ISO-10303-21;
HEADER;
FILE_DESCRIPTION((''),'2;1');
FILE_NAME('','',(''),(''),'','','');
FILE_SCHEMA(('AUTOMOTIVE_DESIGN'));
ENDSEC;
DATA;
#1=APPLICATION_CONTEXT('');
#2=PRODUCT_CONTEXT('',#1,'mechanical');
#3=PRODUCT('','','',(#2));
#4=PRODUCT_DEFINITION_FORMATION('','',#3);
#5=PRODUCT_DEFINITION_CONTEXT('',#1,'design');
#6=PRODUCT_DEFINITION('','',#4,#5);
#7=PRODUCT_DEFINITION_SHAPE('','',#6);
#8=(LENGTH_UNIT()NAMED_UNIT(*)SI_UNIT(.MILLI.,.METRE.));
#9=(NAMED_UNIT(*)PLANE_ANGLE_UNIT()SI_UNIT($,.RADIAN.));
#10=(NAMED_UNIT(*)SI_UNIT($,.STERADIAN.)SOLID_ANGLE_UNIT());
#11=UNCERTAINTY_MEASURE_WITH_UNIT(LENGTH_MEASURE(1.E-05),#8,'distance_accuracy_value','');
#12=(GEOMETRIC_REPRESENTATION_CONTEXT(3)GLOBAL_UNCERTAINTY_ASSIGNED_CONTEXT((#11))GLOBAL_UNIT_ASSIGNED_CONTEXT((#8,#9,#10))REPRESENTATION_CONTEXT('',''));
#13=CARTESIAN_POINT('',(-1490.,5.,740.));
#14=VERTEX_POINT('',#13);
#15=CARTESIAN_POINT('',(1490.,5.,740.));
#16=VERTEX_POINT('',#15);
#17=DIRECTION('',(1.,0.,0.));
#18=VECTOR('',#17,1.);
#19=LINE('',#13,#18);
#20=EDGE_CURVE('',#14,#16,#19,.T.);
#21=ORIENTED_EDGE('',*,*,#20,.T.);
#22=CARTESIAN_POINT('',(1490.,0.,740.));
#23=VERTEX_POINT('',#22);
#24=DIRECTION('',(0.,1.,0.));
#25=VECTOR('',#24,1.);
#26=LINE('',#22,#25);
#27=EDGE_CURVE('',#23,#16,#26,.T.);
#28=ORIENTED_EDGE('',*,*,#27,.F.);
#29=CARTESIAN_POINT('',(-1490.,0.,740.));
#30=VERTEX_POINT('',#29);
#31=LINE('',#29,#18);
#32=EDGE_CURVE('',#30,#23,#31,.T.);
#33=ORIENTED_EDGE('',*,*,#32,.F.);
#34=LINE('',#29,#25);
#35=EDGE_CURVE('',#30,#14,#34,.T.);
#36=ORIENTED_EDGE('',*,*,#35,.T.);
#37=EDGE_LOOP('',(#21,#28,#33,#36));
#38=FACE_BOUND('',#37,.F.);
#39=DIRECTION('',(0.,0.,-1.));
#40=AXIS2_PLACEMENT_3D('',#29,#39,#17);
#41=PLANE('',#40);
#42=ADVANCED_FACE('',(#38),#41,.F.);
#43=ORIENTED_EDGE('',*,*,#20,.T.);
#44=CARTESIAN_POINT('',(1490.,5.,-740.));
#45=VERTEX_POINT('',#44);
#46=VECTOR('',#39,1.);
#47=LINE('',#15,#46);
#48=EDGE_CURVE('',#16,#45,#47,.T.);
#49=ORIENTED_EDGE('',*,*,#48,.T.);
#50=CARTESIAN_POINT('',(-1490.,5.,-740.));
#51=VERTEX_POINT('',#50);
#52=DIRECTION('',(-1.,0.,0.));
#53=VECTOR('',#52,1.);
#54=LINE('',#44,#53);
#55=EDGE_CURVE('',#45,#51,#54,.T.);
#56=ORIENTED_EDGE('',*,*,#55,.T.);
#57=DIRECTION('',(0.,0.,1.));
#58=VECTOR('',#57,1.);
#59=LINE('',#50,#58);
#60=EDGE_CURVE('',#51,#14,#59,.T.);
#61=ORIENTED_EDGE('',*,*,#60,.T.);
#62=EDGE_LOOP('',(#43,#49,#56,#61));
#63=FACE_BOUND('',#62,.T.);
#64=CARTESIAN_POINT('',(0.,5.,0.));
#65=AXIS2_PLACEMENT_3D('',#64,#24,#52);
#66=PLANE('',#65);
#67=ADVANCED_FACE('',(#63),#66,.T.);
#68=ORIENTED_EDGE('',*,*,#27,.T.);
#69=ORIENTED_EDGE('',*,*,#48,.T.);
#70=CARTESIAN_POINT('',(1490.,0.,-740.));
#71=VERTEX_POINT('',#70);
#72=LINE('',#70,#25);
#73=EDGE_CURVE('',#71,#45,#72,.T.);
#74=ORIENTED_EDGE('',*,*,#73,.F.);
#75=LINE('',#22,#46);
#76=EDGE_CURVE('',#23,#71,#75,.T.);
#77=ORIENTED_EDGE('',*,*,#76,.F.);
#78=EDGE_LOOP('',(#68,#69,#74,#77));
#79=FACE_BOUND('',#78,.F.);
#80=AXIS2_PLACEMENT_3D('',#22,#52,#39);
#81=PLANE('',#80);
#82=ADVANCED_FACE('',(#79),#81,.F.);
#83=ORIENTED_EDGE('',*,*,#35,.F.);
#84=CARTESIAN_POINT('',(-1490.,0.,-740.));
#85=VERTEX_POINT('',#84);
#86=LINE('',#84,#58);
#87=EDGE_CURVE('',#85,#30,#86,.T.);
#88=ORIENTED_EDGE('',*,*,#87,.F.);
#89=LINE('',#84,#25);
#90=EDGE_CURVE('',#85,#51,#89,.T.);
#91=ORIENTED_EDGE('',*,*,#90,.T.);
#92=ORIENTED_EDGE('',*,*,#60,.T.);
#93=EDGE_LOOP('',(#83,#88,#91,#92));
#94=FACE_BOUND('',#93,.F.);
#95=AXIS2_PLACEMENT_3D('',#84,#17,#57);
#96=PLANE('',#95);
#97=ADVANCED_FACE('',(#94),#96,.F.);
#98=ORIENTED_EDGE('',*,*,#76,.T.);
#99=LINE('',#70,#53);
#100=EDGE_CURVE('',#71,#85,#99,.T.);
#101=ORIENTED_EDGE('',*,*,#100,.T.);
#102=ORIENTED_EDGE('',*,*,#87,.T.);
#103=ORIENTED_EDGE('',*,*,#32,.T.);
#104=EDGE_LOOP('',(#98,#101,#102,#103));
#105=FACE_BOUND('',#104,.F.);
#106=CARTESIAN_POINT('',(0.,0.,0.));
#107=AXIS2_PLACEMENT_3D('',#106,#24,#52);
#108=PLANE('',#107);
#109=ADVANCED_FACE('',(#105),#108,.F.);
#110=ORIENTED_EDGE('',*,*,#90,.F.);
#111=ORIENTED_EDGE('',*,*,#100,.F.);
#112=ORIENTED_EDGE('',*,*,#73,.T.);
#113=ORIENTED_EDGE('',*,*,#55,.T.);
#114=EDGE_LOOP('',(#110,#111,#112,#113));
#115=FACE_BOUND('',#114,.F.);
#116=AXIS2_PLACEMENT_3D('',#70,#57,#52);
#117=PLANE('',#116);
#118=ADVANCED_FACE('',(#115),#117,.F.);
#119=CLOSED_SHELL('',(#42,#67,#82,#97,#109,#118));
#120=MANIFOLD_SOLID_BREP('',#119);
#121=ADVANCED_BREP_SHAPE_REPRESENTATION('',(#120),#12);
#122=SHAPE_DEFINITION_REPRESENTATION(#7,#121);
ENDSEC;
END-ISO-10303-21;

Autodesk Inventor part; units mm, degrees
ref_plane "YZ Plane" through (0, 0, 0) normal (1, 0, 0) x (0, 1, 0)
ref_plane "XZ Plane" through (0, 0, 0) normal (0, 1, 0) x (-1, 0, 0)
ref_plane "XY Plane" through (0, 0, 0) normal (0, 0, 1) x (1, 0, 0)
sketch "Эскиз1" plane through (0, 0, 0) normal (0, 1, 0) x (-1, 0, 0)
  line L0 (1490, 740) -> (-1490, 740)
  line L1 (-1490, 740) -> (-1490, -740)
  line L2 (-1490, -740) -> (1490, -740)
  line L3 (1490, -740) -> (1490, 740)
  line L4 (1490, 740) -> (-1490, -740) construction
  line L5 (-1490, 740) -> (1490, -740) construction
  point P0 (0, 0)
  dimension "d0" = 2980
  dimension "d1" = 1480
extrude "Пластина1" add sketch "Эскиз1" along normal blind 5
equation "\"d2\" = Толщина"
equation "\"Радиус_гибки\" = Толщина"
equation "\"Ширина_просечки\" = Толщина"
equation "\"Глубина_просечки\" = 0.5 * Толщина"
equation "\"Радиус_перехода\" = Радиус_гибки"
equation "\"Радиус_Якоби\" = Радиус_гибки"
equation "\"Размер_зазора\" = Толщина"
equation "\"Толщина\" = 5"
properties part number "GBK bottom 0125" material "Steel"
